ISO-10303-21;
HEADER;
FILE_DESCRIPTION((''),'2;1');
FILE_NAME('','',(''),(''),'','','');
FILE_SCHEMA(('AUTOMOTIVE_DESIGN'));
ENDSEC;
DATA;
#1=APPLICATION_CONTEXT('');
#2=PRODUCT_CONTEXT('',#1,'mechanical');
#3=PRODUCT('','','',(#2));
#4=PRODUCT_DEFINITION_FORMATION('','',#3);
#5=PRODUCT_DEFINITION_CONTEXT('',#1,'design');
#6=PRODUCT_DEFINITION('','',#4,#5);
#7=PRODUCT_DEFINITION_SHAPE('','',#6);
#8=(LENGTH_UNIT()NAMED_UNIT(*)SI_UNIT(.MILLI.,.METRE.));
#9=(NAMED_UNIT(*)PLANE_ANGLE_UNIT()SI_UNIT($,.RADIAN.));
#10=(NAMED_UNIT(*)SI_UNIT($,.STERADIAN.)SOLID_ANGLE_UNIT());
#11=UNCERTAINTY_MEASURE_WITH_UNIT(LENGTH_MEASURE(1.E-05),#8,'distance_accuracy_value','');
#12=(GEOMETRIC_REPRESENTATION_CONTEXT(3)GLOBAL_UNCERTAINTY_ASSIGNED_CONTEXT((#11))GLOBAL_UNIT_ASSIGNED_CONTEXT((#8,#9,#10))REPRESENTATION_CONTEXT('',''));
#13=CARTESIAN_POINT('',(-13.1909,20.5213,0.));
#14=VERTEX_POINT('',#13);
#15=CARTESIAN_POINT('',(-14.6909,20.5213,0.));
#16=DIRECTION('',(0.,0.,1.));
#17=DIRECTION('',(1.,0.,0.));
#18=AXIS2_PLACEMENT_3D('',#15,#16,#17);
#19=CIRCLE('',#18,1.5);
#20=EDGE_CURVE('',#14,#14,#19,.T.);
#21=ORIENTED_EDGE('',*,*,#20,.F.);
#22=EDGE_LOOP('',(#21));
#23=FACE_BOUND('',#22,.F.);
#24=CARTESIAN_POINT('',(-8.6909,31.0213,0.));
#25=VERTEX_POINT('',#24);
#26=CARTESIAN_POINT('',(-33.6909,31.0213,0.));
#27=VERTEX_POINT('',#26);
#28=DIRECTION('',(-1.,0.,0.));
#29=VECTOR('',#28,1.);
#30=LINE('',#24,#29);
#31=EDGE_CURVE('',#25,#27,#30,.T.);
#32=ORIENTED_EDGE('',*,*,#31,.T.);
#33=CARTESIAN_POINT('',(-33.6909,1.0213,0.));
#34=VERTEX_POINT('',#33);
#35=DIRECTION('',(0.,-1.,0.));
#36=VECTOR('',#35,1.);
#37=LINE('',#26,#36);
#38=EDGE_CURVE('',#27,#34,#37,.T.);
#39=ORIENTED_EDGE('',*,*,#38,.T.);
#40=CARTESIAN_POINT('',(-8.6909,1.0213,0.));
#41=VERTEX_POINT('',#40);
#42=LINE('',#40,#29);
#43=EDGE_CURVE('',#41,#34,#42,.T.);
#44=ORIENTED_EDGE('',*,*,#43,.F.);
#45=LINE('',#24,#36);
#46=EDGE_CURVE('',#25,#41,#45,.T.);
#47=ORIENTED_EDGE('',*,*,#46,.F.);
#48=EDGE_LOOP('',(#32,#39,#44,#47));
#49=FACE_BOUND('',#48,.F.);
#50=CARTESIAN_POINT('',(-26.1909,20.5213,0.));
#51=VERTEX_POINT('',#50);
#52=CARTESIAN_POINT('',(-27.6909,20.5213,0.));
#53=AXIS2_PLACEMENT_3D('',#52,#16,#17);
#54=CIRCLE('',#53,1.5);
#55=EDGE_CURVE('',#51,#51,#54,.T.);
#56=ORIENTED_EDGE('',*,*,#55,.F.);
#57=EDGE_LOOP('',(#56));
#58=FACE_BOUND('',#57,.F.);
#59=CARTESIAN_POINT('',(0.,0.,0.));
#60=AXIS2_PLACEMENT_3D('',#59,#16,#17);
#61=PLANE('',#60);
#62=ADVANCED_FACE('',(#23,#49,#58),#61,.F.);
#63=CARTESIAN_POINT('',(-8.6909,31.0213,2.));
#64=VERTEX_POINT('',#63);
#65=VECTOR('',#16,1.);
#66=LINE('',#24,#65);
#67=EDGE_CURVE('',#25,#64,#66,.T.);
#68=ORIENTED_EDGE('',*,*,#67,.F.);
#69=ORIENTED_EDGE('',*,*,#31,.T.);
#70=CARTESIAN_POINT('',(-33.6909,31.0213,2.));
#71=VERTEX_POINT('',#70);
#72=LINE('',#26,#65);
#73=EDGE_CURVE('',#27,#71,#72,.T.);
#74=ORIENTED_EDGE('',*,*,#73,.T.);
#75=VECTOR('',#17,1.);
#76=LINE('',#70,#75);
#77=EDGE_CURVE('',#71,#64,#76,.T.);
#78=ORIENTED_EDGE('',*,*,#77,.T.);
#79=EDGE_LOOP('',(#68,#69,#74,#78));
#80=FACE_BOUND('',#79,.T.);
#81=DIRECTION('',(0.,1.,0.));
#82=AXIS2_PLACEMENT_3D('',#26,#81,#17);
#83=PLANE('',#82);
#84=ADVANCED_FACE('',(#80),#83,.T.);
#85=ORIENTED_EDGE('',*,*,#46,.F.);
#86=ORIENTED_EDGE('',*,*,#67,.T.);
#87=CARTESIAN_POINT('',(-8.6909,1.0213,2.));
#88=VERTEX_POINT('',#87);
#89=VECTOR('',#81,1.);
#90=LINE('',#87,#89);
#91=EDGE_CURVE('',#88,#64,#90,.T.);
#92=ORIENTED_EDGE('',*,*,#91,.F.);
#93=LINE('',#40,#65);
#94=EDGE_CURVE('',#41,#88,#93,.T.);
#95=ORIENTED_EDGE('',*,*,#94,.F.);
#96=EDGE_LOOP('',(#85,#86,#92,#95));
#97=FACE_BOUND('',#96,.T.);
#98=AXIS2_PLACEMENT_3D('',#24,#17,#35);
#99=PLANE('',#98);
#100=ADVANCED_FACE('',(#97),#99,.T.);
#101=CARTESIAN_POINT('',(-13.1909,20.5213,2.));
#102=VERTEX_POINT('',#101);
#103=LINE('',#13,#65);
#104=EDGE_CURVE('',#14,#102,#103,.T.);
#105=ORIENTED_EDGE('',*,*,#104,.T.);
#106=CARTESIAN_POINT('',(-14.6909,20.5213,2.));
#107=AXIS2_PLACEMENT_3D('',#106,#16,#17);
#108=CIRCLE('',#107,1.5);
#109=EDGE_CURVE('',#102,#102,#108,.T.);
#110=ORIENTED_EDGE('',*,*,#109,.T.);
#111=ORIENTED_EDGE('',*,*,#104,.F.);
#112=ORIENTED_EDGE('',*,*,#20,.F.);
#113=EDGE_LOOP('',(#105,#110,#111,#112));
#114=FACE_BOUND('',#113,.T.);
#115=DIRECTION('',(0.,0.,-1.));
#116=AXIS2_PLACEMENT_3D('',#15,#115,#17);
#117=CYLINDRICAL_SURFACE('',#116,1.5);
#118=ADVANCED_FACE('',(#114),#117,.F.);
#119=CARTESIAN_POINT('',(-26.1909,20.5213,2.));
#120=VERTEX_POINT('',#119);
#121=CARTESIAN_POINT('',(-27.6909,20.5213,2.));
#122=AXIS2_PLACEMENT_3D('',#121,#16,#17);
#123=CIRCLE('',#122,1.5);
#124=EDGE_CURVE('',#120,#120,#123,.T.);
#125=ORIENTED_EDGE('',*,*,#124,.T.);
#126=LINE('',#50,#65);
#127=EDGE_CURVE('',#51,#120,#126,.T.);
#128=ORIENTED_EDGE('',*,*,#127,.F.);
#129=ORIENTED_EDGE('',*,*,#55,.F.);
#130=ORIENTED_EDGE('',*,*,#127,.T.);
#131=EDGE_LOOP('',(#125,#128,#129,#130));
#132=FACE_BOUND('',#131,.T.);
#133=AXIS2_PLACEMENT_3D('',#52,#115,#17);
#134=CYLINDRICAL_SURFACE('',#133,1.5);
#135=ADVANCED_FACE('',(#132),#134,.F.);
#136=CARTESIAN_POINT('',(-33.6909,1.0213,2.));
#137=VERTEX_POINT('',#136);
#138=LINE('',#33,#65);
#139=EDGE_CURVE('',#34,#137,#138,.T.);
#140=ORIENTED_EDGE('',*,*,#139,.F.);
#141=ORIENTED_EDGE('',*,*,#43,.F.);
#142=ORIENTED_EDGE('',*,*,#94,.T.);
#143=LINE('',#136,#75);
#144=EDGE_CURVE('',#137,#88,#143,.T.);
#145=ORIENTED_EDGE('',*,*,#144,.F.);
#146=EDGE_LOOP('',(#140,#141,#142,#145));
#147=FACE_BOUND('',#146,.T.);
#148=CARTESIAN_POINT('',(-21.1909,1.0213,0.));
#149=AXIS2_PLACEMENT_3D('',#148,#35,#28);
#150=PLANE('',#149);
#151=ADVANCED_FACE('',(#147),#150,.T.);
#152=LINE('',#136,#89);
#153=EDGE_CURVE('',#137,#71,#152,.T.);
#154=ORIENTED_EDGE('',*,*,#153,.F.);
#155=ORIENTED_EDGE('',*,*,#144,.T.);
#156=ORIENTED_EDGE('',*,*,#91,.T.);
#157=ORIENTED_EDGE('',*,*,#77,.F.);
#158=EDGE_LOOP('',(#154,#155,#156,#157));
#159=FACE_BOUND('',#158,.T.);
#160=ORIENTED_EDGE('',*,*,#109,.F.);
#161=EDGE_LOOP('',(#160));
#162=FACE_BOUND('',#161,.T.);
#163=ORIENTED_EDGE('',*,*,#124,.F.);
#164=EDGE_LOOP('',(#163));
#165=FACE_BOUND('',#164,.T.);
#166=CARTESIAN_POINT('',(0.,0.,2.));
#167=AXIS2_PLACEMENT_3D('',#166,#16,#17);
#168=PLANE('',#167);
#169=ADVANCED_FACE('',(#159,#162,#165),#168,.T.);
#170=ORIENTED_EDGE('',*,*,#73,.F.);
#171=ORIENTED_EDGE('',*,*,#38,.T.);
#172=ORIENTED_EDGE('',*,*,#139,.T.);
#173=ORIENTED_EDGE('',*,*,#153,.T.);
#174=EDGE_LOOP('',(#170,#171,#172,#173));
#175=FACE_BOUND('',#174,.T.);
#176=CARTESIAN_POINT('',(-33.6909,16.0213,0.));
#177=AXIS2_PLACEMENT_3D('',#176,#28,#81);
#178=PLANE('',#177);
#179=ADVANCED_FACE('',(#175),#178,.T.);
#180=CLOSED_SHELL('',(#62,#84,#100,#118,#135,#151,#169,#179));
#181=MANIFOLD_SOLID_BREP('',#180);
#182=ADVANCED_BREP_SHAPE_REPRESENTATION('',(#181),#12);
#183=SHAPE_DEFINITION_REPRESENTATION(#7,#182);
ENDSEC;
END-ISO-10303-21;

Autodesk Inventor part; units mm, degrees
ref_plane "YZ Plane" through (0, 0, 0) normal (1, 0, 0) x (0, 1, 0)
ref_plane "XZ Plane" through (0, 0, 0) normal (0, 1, 0) x (-1, 0, 0)
ref_plane "XY Plane" through (0, 0, 0) normal (0, 0, 1) x (1, 0, 0)
sketch "Sketch1" plane through (0, 0, 0) normal (0, 0, 1) x (1, 0, 0)
  line L0 (-33.6909, 31.0213) -> (-8.6909, 31.0213)
  line L1 (-8.6909, 31.0213) -> (-8.6909, 1.0213)
  line L2 (-8.6909, 1.0213) -> (-33.6909, 1.0213)
  line L3 (-33.6909, 1.0213) -> (-33.6909, 31.0213)
  circle A0 centre (-27.6909, 20.5213) radius 1.5
  circle A1 centre (-14.6909, 20.5213) radius 1.5
  line L4 (-21.1909, 1.0213) -> (-21.1909, 31.0213)
  line L5 (-33.6909, 16.0213) -> (-8.6909, 16.0213)
  dimension "d0" = 25
  dimension "d1" = 30
  dimension "d4" = 3
  dimension "d5" = 3
  dimension "d6" = 13
  dimension "d7" = 6
  dimension "d8" = 10.5
extrude "Extrusion1" add sketch "Sketch1" along normal blind 2
equation "\"d4\" = d5"
properties part number "Placa PCB 30x25"
